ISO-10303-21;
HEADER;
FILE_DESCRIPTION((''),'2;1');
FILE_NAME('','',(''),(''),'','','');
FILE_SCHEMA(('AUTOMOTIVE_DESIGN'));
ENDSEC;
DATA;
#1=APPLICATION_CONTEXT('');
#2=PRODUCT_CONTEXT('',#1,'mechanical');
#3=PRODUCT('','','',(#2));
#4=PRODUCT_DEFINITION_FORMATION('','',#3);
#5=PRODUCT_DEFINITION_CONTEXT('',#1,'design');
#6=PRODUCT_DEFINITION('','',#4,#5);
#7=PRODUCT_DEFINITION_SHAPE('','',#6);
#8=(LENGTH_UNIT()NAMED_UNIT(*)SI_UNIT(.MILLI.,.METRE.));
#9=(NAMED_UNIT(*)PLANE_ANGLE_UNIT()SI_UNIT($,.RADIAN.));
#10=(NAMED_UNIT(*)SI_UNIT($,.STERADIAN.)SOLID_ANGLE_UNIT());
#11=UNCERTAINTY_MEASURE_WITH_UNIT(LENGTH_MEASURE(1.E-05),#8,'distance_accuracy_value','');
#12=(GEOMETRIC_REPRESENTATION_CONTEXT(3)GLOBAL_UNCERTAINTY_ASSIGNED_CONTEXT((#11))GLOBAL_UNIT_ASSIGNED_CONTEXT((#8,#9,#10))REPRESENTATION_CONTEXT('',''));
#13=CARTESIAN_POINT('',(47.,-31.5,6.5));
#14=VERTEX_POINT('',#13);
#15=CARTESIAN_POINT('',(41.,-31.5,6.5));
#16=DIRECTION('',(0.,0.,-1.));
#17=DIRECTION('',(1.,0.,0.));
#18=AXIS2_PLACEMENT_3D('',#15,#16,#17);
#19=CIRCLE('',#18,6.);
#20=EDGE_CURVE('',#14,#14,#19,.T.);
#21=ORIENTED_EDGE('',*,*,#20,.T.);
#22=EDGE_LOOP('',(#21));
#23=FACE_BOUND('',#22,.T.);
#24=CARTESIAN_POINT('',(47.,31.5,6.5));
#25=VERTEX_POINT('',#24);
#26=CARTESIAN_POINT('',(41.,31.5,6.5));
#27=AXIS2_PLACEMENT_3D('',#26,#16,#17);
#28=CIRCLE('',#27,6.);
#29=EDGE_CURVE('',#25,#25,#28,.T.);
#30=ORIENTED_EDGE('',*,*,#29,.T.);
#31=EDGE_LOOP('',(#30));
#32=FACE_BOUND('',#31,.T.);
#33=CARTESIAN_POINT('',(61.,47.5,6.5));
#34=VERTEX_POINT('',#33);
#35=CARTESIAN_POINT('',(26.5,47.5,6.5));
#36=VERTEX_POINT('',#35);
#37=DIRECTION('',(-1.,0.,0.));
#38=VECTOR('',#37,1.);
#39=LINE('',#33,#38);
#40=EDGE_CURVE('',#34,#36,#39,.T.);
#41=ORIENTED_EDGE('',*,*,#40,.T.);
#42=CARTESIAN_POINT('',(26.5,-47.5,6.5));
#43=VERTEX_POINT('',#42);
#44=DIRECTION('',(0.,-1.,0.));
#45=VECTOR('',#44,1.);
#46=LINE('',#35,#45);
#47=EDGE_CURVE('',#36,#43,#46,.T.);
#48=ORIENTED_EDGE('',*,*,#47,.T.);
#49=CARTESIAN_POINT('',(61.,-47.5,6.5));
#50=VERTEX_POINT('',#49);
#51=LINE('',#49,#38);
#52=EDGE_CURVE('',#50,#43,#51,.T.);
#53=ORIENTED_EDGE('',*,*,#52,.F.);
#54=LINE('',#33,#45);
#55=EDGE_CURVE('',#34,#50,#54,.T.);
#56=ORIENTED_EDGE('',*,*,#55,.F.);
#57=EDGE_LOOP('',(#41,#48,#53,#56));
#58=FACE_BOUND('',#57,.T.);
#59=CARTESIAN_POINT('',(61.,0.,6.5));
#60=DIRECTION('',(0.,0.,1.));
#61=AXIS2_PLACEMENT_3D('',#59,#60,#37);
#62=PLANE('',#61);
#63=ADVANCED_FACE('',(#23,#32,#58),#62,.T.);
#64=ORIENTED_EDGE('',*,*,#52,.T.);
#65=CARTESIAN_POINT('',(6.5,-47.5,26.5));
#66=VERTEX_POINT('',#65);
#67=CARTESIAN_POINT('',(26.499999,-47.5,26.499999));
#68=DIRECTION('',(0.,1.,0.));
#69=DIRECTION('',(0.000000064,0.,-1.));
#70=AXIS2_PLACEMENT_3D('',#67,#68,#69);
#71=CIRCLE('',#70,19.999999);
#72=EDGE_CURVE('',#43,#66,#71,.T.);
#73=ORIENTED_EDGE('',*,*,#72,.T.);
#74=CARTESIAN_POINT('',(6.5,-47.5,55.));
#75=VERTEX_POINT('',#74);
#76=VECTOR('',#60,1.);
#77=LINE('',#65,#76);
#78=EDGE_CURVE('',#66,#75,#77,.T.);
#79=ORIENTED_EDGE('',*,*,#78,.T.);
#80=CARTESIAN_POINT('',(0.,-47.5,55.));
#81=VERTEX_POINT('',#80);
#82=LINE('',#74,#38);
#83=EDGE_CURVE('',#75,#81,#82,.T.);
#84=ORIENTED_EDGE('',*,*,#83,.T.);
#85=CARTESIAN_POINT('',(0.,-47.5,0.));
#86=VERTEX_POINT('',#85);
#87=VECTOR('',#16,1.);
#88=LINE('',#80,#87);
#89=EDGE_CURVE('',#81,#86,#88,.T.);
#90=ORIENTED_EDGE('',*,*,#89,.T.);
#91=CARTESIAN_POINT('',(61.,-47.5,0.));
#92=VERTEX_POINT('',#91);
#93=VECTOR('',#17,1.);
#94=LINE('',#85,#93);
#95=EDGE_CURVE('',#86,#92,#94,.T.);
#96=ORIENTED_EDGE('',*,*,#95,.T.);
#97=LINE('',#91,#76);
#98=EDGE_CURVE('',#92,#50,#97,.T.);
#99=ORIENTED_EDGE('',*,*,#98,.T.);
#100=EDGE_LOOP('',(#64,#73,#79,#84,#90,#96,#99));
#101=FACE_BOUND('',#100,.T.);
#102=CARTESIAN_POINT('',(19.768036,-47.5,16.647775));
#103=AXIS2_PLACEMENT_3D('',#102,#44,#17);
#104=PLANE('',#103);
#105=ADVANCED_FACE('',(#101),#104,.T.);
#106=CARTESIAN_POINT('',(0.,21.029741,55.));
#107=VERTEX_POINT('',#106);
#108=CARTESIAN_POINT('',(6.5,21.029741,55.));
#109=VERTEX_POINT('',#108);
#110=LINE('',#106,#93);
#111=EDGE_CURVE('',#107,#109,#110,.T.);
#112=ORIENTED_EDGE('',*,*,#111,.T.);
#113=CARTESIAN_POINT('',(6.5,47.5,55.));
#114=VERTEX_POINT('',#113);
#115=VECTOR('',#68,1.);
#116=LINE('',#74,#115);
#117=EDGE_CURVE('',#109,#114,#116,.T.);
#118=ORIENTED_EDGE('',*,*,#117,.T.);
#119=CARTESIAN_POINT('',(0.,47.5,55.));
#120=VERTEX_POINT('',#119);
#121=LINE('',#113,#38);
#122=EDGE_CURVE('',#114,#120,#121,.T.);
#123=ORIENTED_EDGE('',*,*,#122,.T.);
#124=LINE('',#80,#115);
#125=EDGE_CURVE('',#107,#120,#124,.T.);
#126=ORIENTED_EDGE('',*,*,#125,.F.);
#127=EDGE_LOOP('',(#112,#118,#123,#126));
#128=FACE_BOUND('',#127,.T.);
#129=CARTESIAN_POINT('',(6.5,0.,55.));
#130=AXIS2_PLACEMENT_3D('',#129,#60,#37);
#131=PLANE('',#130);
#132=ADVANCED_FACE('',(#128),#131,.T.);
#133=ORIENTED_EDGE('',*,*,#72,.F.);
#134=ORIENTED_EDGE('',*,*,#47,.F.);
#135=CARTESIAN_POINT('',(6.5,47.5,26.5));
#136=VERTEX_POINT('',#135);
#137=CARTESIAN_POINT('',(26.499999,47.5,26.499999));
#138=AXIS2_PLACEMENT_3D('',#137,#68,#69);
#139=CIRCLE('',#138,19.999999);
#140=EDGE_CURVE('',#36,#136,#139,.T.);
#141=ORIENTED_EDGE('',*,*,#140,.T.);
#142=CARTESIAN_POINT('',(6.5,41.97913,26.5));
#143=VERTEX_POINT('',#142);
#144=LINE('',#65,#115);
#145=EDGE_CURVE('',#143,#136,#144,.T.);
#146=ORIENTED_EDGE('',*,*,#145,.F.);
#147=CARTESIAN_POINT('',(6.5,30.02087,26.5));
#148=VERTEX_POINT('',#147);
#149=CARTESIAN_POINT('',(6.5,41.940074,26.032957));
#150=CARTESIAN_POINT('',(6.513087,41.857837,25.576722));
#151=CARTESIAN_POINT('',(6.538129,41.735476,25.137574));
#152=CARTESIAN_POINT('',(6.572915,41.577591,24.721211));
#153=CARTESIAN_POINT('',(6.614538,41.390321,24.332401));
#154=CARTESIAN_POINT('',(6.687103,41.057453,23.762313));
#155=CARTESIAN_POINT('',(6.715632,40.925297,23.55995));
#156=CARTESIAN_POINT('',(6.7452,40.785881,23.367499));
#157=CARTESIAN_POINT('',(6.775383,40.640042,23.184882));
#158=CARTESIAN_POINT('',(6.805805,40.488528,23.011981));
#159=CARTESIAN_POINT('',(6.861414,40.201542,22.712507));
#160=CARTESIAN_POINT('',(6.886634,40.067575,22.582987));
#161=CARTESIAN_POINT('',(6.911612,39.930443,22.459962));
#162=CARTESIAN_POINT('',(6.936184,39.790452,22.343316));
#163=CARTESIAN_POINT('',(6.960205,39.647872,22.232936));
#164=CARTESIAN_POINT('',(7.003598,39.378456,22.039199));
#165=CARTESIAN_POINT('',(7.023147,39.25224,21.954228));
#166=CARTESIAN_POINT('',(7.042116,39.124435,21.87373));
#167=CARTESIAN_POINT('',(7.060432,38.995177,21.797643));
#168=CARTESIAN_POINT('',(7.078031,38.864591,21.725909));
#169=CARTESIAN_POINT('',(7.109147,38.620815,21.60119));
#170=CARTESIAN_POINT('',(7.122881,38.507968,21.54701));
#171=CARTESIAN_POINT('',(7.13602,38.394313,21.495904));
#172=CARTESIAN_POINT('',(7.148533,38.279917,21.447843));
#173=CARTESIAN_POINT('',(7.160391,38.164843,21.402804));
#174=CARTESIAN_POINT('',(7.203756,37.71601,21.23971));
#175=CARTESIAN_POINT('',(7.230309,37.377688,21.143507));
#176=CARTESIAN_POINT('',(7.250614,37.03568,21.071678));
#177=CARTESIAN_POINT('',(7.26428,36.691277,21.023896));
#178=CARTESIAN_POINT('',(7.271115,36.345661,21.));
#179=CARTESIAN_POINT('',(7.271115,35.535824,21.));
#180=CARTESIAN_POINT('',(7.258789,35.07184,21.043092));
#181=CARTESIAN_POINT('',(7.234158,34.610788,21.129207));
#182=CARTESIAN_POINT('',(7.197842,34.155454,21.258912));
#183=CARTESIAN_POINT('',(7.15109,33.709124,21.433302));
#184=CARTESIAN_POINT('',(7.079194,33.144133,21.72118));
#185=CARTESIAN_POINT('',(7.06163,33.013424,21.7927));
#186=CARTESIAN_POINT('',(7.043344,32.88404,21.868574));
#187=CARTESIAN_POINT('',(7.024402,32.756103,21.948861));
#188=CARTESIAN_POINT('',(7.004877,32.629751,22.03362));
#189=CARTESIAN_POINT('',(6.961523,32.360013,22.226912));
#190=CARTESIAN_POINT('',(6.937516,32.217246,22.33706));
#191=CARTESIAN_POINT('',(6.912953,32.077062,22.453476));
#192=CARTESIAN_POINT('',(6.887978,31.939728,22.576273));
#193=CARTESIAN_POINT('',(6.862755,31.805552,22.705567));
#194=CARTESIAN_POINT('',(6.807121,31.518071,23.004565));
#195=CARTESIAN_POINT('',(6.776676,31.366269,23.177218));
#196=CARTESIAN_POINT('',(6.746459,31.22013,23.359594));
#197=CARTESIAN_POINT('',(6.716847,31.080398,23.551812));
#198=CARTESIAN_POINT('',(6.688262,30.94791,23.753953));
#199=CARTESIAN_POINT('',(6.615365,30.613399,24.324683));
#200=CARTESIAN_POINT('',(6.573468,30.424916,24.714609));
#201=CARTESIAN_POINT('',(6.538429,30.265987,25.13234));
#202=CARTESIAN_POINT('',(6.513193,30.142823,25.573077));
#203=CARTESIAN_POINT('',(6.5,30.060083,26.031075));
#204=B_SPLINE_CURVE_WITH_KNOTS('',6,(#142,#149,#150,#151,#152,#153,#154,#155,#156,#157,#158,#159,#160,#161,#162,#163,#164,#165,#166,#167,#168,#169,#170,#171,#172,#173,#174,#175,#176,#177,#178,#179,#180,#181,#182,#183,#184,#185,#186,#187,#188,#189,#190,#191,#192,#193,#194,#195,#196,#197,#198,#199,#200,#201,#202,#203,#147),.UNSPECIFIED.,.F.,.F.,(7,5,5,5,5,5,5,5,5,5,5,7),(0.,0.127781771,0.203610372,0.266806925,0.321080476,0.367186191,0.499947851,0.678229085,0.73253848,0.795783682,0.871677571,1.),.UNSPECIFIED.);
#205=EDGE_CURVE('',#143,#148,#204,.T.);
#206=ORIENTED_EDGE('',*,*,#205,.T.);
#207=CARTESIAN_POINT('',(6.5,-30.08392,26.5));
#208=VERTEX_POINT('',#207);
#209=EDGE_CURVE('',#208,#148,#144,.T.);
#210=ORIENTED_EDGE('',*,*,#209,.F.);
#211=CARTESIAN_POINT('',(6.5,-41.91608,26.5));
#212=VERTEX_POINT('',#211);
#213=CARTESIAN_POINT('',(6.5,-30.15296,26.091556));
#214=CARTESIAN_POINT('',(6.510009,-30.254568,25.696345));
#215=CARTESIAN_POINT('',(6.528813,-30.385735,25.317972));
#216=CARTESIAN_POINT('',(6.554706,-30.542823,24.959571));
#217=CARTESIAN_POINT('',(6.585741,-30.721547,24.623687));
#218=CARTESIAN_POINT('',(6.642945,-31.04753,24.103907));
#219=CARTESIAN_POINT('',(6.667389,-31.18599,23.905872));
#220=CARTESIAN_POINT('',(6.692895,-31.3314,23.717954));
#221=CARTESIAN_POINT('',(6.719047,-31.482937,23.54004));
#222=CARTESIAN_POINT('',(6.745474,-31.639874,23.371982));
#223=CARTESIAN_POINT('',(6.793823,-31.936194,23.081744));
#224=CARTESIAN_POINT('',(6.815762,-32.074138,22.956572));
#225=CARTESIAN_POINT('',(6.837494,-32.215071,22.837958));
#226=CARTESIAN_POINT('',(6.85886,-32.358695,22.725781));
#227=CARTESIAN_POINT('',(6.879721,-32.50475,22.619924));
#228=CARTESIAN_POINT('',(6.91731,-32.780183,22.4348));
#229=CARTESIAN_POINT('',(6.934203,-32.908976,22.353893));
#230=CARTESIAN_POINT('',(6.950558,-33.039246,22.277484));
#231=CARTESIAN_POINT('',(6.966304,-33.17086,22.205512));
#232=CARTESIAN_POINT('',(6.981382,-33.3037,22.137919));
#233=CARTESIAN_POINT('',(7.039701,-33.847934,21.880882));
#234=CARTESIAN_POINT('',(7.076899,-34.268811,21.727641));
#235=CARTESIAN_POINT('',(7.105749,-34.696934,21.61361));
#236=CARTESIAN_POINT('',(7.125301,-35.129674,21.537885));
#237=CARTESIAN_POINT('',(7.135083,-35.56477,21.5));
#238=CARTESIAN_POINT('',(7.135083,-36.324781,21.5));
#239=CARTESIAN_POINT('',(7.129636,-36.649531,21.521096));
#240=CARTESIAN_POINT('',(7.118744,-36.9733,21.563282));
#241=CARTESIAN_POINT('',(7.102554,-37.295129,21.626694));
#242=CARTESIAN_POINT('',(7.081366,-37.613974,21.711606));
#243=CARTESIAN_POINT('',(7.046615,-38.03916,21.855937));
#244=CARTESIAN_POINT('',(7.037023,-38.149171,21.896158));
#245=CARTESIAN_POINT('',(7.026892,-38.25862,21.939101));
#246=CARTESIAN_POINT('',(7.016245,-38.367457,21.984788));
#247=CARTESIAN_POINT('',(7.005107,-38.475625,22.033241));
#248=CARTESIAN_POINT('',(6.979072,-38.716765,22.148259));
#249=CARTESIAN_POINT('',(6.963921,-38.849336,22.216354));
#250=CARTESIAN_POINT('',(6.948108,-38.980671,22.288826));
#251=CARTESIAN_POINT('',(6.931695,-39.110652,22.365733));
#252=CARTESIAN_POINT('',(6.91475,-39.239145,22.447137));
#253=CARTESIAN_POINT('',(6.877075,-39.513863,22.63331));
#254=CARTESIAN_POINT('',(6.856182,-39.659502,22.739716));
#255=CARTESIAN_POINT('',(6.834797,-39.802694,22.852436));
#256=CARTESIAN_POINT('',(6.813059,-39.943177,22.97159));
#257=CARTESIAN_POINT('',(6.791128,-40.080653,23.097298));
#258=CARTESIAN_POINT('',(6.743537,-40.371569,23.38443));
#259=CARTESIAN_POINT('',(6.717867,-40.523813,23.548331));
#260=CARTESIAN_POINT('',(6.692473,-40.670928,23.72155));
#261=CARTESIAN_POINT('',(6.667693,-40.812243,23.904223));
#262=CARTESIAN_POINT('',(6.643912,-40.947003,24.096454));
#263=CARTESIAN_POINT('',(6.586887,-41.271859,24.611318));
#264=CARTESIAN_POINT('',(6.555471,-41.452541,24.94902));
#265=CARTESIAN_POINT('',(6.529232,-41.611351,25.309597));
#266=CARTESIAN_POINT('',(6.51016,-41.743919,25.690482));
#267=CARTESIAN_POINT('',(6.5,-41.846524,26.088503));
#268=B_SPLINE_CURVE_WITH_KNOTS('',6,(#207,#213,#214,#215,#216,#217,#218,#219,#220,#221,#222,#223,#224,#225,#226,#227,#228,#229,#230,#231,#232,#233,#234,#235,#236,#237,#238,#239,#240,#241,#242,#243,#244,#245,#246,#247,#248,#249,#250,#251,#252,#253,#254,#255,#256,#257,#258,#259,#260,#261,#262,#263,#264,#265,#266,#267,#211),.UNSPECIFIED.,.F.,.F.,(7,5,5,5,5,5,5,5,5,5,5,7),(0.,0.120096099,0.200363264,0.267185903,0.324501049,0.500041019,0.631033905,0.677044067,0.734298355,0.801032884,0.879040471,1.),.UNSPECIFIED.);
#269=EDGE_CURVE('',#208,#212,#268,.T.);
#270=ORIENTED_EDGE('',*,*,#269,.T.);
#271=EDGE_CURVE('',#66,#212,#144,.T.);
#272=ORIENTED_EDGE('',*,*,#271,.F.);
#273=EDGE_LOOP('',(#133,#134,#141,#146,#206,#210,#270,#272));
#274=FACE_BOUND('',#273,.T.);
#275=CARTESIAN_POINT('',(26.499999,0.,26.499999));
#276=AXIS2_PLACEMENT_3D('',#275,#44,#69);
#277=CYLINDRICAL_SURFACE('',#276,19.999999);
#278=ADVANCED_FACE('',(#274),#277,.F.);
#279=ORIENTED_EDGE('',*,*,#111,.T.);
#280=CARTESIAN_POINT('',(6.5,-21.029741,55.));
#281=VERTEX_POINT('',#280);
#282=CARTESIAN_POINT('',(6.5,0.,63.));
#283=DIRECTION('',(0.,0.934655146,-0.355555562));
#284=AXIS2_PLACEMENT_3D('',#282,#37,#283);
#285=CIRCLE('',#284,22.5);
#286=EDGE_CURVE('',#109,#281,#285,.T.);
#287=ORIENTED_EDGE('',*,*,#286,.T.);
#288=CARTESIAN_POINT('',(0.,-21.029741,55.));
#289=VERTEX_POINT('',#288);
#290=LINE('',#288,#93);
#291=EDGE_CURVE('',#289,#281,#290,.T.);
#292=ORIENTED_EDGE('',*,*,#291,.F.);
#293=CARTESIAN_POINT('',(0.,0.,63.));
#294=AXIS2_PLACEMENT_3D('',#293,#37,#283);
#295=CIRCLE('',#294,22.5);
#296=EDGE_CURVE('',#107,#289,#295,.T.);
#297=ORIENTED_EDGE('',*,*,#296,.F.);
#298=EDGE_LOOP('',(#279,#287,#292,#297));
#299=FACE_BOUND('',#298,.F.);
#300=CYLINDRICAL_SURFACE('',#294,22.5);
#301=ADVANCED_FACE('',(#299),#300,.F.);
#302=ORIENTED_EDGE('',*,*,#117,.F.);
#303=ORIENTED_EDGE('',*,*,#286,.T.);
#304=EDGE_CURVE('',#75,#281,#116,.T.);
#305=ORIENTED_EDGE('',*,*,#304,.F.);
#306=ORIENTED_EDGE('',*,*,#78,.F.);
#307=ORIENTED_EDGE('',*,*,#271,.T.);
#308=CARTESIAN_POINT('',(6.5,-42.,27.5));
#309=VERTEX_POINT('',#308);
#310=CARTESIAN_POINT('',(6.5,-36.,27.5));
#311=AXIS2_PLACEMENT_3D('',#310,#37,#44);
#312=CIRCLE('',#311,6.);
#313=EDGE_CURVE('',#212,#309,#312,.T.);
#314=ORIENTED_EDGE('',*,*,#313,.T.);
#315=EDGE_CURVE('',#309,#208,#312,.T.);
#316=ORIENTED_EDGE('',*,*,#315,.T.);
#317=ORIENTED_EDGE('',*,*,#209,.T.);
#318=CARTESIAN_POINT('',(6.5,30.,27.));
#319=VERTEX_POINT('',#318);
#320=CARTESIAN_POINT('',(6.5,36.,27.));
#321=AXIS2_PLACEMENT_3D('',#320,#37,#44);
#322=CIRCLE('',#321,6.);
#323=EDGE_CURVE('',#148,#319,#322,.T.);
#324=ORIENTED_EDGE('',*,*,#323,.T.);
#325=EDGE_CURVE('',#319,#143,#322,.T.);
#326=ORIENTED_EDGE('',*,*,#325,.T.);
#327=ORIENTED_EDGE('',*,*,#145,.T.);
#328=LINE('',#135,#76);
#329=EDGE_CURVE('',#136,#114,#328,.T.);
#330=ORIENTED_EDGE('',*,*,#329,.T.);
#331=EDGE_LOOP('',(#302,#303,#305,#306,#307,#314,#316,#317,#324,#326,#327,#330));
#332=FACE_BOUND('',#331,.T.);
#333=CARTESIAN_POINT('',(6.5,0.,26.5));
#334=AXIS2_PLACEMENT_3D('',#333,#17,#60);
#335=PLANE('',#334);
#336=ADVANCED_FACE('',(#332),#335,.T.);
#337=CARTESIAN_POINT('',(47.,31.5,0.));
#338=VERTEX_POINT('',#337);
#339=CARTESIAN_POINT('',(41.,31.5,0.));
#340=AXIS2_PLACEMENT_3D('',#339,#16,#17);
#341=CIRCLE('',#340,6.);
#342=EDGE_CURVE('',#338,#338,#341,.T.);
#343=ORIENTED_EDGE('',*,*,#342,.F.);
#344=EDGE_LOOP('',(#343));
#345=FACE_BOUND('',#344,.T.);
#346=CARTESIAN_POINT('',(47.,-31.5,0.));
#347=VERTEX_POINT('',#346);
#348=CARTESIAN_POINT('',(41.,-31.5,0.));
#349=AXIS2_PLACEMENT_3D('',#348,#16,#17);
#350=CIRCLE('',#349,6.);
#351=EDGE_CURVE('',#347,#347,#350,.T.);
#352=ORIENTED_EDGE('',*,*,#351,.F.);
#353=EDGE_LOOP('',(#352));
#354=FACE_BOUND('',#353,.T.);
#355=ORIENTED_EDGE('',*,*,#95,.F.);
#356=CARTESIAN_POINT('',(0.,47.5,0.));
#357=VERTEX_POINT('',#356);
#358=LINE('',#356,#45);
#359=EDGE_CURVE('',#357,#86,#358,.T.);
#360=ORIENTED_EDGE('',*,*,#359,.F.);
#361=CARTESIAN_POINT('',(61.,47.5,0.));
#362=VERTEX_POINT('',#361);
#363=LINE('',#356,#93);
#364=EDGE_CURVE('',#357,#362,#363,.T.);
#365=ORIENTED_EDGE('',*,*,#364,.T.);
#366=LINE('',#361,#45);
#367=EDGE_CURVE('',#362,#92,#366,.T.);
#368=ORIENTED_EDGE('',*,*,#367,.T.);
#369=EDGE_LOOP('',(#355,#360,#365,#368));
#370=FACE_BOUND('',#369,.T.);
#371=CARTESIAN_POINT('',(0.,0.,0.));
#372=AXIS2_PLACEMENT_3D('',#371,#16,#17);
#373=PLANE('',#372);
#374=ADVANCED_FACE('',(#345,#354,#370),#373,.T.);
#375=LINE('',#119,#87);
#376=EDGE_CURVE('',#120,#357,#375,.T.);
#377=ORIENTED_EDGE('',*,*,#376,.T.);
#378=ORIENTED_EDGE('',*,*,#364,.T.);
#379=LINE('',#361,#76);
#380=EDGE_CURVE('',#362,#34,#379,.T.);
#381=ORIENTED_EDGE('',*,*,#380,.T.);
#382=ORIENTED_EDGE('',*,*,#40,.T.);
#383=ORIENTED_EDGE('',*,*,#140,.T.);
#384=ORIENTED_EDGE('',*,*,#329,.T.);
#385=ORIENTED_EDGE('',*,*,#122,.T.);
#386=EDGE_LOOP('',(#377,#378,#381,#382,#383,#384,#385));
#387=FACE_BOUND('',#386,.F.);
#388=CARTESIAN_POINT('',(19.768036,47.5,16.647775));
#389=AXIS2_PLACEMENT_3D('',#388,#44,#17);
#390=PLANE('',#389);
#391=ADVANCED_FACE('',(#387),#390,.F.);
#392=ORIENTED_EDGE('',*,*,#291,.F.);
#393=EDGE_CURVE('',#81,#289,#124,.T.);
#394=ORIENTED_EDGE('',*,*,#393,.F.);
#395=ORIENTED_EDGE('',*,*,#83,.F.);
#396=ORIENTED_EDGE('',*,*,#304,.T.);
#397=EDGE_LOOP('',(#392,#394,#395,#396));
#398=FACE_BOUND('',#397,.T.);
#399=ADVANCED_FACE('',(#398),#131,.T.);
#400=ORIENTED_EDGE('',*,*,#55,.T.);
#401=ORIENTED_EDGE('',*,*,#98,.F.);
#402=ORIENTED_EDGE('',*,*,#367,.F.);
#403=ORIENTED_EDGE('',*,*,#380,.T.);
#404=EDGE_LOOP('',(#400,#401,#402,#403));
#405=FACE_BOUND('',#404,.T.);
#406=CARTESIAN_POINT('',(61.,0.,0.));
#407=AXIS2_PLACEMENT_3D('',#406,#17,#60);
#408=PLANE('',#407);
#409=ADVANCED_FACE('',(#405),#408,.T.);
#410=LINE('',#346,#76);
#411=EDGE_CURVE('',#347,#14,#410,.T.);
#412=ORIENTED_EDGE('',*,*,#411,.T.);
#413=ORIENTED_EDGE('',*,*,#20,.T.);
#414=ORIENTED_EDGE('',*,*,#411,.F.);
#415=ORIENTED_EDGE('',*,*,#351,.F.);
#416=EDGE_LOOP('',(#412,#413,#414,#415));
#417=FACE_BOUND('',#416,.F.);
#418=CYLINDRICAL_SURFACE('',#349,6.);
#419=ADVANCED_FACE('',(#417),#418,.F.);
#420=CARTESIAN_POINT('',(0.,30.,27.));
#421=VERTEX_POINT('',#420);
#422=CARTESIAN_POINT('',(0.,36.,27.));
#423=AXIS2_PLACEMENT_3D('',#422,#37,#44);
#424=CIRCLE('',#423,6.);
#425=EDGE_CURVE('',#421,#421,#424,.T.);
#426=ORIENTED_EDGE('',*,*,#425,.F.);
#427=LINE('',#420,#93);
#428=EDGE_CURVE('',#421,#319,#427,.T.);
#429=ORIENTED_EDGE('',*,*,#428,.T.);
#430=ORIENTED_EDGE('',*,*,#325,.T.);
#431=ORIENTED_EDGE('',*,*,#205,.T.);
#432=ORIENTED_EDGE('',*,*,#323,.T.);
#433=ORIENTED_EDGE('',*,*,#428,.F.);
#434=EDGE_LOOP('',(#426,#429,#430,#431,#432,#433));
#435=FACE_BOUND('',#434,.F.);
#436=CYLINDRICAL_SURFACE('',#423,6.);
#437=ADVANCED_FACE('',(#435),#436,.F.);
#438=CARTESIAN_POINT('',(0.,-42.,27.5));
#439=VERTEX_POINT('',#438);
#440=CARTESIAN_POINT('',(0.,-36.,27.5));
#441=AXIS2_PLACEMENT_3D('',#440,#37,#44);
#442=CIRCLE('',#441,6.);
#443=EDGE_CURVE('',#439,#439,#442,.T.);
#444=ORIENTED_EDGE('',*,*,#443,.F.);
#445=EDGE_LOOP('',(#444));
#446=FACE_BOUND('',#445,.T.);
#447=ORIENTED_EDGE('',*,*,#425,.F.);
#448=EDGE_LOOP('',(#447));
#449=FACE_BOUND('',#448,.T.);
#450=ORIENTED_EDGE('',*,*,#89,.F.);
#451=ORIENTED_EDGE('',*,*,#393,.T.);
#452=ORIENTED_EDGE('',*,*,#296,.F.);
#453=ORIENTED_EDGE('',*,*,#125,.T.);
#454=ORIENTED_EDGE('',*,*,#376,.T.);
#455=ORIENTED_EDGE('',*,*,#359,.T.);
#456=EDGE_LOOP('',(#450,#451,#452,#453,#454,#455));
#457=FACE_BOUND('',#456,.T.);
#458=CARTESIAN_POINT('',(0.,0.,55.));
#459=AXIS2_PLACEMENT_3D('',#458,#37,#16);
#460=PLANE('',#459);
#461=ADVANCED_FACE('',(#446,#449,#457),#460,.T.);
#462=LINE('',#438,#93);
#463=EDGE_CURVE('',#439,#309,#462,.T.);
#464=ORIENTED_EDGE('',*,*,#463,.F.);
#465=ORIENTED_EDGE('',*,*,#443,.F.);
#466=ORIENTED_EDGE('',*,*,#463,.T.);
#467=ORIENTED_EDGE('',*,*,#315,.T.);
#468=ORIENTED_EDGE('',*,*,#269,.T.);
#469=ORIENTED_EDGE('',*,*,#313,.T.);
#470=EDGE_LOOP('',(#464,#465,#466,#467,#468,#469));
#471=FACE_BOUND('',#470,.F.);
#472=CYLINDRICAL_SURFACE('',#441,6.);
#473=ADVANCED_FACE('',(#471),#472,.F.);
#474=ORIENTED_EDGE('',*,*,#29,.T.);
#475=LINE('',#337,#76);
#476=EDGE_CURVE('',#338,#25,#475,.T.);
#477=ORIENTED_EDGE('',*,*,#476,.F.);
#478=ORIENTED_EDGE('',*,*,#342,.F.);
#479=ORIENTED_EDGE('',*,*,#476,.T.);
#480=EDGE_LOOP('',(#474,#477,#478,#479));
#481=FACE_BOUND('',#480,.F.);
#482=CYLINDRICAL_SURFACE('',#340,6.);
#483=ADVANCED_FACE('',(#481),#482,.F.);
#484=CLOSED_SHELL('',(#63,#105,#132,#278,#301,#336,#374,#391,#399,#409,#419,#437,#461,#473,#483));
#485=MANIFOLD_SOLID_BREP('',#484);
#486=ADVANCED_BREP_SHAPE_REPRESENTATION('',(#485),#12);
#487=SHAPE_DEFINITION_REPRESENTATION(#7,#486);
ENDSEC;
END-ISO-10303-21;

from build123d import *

# Parameters (mm, degrees)
F1_DEPTH = 47.5
F2_R     = 6
F3_DEPTH = 55.001
F4_R     = 6
F5_DEPTH = 61.001


with BuildPart() as f1:
    # F0 (on Front) → F1 (new body, symmetric)
    with BuildSketch(Plane.XZ):
        with BuildLine():
            Line((0, 55), (0, 0))
            Line((0, 0), (61, 0))
            Line((61, 0), (61, 6.5))
            Line((61, 6.5), (26.5, 6.5))
            ThreePointArc((26.5, 6.5), (12.357864, 12.357864), (6.5, 26.5))
            Line((6.5, 26.5), (6.5, 55))
            Line((6.5, 55), (0, 55))
        make_face()
    extrude(amount=F1_DEPTH, both=True)

    # F2 (on face) → F3 (cut, through all)
    with BuildSketch(Plane(origin=(0, 0, 0), x_dir=(1, 0, 0), z_dir=(0, 0, -1))):
        with Locations((41, 31.5)):
            Circle(F2_R)
        with Locations((41, -31.5)):
            Circle(F2_R)
    extrude(amount=-F3_DEPTH, mode=Mode.SUBTRACT)

    # F4 (on face) → F5 (cut, through all)
    with BuildSketch(Plane(origin=(0, 0, 0), x_dir=(0, -1, 0), z_dir=(-1, 0, 0))):
        with Locations((-36, 27)):
            Circle(F4_R)
        with Locations((36, 27.5)):
            Circle(F4_R)
        with BuildLine():
            Line((21.029741, 55), (-21.029741, 55))
            ThreePointArc((-21.029741, 55), (0, 40.5), (21.029741, 55))
        make_face()
    extrude(amount=-F5_DEPTH, mode=Mode.SUBTRACT)


solid = f1.part
